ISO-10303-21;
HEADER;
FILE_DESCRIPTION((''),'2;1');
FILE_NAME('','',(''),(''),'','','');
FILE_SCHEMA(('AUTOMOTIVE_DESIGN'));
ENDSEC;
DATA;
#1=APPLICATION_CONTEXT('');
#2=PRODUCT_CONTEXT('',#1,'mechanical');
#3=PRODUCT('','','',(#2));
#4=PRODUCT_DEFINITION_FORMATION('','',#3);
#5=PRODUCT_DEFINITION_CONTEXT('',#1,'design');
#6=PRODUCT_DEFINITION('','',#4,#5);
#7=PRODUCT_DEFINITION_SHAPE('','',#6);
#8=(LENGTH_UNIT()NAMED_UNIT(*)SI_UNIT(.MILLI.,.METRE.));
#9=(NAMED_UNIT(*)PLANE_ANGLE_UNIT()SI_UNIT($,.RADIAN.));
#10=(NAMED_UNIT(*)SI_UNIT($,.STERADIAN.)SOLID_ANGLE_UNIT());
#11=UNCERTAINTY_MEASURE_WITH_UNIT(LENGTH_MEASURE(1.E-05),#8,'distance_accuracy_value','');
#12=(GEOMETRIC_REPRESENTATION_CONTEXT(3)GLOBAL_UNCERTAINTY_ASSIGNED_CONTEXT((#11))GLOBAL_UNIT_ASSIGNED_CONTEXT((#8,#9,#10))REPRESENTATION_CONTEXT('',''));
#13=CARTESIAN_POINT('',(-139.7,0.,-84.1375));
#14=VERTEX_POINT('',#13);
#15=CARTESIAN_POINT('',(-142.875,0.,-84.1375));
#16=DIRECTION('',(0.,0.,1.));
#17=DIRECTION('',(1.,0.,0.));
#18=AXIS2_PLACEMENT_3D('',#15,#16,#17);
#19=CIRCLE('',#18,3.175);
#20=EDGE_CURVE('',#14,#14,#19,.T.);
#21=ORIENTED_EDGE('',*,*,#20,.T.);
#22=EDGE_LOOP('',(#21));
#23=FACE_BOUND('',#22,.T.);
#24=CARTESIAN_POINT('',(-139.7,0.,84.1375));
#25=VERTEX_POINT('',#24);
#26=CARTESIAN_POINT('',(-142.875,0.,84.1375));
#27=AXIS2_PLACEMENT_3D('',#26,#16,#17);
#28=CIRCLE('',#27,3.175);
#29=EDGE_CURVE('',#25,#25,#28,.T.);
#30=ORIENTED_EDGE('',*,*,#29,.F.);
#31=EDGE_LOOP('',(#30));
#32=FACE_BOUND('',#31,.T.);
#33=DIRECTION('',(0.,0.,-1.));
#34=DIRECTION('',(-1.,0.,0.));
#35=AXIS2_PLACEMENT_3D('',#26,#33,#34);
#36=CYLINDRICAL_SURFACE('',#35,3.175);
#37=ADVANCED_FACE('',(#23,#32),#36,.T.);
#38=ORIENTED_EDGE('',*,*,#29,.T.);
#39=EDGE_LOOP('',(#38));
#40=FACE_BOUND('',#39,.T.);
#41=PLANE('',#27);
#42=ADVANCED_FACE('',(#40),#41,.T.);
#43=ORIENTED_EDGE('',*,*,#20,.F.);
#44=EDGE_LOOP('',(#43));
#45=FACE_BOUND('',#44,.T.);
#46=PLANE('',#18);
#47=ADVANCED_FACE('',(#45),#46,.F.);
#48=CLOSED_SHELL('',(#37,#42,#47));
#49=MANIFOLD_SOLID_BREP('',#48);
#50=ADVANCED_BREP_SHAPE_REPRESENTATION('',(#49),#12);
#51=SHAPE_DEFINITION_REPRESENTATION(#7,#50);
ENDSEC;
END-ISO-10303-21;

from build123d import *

# Parameters (mm, degrees)
SKETCH1_R           = 3.175
BOSS_EXTRUDE1_DEPTH = 84.1375


with BuildPart() as part:
    # Sketch1 → Boss-Extrude1 (new, symmetric)
    with BuildSketch(Plane.XY):
        with Locations((-142.875, 0)):
            Circle(SKETCH1_R)
    extrude(amount=BOSS_EXTRUDE1_DEPTH, both=True)


solid = part.part
